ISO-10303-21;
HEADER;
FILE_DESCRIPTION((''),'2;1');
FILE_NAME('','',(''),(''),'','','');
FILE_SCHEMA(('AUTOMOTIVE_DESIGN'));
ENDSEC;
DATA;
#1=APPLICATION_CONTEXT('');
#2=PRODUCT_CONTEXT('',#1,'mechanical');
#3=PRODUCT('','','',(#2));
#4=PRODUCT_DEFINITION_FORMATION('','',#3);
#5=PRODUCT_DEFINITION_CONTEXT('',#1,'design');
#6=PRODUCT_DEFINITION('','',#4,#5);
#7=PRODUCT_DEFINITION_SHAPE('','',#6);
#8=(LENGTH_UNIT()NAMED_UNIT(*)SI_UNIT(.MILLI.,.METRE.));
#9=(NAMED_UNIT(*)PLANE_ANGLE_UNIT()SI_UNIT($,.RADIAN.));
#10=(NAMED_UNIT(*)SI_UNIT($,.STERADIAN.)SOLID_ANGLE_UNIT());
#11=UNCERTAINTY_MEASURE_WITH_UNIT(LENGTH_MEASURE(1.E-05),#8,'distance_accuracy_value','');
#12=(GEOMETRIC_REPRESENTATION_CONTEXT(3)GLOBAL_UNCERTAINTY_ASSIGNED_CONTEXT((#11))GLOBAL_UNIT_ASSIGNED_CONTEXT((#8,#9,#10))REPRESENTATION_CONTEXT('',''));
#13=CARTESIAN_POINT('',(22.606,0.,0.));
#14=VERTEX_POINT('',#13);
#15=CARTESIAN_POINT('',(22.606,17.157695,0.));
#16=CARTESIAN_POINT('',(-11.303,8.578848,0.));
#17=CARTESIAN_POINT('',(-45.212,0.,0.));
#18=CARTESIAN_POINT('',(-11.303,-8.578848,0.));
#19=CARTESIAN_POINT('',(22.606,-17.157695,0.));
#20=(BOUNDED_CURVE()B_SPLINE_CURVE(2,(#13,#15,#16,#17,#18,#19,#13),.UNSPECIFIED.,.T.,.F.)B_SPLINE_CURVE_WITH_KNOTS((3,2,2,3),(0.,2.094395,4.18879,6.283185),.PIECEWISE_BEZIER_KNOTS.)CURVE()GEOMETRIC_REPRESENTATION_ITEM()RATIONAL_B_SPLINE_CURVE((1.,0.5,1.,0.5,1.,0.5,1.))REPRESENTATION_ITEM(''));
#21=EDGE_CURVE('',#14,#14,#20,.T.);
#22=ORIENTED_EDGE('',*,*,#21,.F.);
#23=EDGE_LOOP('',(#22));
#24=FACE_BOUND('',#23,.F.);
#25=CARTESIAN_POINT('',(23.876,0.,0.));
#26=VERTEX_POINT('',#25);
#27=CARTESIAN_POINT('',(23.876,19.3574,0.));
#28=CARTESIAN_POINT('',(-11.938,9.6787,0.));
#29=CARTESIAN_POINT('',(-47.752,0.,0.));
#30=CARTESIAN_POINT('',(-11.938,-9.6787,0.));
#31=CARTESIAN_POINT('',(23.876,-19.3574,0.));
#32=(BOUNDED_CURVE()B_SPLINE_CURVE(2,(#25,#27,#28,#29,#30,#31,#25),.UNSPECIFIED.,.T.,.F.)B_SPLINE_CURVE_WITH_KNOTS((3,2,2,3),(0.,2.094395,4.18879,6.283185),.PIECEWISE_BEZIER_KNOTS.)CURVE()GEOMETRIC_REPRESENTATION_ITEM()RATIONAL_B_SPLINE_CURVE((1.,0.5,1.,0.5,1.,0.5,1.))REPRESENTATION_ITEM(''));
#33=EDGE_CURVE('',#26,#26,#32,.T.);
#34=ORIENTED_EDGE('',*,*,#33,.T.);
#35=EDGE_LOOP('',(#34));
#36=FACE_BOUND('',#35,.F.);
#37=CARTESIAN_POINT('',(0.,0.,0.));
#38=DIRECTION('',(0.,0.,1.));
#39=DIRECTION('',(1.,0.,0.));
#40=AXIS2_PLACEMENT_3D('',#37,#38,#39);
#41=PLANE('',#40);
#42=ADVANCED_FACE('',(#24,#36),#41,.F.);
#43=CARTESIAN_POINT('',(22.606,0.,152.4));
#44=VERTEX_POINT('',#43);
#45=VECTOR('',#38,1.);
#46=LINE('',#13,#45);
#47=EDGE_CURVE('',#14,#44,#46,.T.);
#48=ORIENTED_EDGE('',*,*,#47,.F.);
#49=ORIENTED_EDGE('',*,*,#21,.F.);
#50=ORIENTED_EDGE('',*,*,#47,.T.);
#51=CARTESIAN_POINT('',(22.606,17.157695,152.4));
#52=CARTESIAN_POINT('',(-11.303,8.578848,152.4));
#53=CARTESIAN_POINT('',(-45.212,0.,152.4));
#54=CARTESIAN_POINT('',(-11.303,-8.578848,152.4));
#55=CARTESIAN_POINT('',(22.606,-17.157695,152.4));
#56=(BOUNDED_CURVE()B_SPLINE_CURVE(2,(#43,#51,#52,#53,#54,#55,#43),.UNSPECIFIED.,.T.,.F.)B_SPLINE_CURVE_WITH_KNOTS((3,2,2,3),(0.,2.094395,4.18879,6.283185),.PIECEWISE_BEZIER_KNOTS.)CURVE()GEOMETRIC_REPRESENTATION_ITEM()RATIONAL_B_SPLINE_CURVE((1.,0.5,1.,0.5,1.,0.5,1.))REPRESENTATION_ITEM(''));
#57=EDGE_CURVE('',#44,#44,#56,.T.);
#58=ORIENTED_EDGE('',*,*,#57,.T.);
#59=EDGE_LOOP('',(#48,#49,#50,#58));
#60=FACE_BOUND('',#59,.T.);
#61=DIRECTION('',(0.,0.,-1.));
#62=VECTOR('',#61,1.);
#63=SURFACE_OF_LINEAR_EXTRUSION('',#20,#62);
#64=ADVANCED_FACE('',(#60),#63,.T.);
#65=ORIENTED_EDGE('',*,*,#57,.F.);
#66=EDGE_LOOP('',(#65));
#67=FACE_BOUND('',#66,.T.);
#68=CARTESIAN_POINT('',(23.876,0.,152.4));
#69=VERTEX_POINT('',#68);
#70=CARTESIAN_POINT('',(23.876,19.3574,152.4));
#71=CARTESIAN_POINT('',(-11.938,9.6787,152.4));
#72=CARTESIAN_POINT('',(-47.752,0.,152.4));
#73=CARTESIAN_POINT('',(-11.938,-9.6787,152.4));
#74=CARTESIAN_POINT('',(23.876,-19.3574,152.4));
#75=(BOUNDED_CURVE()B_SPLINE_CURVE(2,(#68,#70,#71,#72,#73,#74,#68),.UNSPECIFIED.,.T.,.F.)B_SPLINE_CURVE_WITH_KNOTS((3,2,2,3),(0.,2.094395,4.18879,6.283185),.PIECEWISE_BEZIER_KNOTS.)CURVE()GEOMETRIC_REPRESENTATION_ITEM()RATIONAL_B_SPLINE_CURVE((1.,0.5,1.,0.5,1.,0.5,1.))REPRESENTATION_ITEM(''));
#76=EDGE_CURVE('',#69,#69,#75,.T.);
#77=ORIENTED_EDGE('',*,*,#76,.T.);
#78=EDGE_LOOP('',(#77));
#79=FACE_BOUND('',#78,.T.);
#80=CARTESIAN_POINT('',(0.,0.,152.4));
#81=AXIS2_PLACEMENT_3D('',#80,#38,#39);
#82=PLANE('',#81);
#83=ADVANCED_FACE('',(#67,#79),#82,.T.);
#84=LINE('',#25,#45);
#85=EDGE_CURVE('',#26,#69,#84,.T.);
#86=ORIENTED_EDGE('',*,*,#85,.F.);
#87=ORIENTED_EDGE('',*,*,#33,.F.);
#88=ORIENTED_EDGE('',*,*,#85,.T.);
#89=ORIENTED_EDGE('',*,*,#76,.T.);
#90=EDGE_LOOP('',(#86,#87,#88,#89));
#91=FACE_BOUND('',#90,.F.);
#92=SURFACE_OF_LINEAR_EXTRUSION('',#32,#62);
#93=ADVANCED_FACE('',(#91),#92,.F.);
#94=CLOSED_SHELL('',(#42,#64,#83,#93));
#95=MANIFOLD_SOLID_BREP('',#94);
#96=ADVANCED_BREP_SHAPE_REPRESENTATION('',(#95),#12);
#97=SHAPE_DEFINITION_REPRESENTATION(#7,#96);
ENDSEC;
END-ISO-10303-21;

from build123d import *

# Parameters (mm, degrees)
F1_DEPTH = 152.4


with BuildPart() as f1:
    # F0 (on Top) → F1 (new body)
    with BuildSketch(Plane.XY):
        with BuildLine():
            add(Edge.make_bspline(
                [(23.876, 0), (23.876, 19.3574), (-11.938, 9.6787), (-47.752, 0), (-11.938, -9.6787), (23.876, -19.3574), (23.876, 0)],
                knots=[0, 0, 0, 2.094395, 2.094395, 4.18879, 4.18879, 6.283185, 6.283185, 6.283185], degree=2, weights=[1, 0.5, 1, 0.5, 1, 0.5, 1]))
        make_face()
        with BuildLine():
            add(Edge.make_bspline(
                [(22.606, 0), (22.606, 17.157695), (-11.303, 8.578848), (-45.212, 0), (-11.303, -8.578848), (22.606, -17.157695), (22.606, 0)],
                knots=[0, 0, 0, 2.094395, 2.094395, 4.18879, 4.18879, 6.283185, 6.283185, 6.283185], degree=2, weights=[1, 0.5, 1, 0.5, 1, 0.5, 1]))
        make_face(mode=Mode.SUBTRACT)
    extrude(amount=F1_DEPTH)


solid = f1.part
